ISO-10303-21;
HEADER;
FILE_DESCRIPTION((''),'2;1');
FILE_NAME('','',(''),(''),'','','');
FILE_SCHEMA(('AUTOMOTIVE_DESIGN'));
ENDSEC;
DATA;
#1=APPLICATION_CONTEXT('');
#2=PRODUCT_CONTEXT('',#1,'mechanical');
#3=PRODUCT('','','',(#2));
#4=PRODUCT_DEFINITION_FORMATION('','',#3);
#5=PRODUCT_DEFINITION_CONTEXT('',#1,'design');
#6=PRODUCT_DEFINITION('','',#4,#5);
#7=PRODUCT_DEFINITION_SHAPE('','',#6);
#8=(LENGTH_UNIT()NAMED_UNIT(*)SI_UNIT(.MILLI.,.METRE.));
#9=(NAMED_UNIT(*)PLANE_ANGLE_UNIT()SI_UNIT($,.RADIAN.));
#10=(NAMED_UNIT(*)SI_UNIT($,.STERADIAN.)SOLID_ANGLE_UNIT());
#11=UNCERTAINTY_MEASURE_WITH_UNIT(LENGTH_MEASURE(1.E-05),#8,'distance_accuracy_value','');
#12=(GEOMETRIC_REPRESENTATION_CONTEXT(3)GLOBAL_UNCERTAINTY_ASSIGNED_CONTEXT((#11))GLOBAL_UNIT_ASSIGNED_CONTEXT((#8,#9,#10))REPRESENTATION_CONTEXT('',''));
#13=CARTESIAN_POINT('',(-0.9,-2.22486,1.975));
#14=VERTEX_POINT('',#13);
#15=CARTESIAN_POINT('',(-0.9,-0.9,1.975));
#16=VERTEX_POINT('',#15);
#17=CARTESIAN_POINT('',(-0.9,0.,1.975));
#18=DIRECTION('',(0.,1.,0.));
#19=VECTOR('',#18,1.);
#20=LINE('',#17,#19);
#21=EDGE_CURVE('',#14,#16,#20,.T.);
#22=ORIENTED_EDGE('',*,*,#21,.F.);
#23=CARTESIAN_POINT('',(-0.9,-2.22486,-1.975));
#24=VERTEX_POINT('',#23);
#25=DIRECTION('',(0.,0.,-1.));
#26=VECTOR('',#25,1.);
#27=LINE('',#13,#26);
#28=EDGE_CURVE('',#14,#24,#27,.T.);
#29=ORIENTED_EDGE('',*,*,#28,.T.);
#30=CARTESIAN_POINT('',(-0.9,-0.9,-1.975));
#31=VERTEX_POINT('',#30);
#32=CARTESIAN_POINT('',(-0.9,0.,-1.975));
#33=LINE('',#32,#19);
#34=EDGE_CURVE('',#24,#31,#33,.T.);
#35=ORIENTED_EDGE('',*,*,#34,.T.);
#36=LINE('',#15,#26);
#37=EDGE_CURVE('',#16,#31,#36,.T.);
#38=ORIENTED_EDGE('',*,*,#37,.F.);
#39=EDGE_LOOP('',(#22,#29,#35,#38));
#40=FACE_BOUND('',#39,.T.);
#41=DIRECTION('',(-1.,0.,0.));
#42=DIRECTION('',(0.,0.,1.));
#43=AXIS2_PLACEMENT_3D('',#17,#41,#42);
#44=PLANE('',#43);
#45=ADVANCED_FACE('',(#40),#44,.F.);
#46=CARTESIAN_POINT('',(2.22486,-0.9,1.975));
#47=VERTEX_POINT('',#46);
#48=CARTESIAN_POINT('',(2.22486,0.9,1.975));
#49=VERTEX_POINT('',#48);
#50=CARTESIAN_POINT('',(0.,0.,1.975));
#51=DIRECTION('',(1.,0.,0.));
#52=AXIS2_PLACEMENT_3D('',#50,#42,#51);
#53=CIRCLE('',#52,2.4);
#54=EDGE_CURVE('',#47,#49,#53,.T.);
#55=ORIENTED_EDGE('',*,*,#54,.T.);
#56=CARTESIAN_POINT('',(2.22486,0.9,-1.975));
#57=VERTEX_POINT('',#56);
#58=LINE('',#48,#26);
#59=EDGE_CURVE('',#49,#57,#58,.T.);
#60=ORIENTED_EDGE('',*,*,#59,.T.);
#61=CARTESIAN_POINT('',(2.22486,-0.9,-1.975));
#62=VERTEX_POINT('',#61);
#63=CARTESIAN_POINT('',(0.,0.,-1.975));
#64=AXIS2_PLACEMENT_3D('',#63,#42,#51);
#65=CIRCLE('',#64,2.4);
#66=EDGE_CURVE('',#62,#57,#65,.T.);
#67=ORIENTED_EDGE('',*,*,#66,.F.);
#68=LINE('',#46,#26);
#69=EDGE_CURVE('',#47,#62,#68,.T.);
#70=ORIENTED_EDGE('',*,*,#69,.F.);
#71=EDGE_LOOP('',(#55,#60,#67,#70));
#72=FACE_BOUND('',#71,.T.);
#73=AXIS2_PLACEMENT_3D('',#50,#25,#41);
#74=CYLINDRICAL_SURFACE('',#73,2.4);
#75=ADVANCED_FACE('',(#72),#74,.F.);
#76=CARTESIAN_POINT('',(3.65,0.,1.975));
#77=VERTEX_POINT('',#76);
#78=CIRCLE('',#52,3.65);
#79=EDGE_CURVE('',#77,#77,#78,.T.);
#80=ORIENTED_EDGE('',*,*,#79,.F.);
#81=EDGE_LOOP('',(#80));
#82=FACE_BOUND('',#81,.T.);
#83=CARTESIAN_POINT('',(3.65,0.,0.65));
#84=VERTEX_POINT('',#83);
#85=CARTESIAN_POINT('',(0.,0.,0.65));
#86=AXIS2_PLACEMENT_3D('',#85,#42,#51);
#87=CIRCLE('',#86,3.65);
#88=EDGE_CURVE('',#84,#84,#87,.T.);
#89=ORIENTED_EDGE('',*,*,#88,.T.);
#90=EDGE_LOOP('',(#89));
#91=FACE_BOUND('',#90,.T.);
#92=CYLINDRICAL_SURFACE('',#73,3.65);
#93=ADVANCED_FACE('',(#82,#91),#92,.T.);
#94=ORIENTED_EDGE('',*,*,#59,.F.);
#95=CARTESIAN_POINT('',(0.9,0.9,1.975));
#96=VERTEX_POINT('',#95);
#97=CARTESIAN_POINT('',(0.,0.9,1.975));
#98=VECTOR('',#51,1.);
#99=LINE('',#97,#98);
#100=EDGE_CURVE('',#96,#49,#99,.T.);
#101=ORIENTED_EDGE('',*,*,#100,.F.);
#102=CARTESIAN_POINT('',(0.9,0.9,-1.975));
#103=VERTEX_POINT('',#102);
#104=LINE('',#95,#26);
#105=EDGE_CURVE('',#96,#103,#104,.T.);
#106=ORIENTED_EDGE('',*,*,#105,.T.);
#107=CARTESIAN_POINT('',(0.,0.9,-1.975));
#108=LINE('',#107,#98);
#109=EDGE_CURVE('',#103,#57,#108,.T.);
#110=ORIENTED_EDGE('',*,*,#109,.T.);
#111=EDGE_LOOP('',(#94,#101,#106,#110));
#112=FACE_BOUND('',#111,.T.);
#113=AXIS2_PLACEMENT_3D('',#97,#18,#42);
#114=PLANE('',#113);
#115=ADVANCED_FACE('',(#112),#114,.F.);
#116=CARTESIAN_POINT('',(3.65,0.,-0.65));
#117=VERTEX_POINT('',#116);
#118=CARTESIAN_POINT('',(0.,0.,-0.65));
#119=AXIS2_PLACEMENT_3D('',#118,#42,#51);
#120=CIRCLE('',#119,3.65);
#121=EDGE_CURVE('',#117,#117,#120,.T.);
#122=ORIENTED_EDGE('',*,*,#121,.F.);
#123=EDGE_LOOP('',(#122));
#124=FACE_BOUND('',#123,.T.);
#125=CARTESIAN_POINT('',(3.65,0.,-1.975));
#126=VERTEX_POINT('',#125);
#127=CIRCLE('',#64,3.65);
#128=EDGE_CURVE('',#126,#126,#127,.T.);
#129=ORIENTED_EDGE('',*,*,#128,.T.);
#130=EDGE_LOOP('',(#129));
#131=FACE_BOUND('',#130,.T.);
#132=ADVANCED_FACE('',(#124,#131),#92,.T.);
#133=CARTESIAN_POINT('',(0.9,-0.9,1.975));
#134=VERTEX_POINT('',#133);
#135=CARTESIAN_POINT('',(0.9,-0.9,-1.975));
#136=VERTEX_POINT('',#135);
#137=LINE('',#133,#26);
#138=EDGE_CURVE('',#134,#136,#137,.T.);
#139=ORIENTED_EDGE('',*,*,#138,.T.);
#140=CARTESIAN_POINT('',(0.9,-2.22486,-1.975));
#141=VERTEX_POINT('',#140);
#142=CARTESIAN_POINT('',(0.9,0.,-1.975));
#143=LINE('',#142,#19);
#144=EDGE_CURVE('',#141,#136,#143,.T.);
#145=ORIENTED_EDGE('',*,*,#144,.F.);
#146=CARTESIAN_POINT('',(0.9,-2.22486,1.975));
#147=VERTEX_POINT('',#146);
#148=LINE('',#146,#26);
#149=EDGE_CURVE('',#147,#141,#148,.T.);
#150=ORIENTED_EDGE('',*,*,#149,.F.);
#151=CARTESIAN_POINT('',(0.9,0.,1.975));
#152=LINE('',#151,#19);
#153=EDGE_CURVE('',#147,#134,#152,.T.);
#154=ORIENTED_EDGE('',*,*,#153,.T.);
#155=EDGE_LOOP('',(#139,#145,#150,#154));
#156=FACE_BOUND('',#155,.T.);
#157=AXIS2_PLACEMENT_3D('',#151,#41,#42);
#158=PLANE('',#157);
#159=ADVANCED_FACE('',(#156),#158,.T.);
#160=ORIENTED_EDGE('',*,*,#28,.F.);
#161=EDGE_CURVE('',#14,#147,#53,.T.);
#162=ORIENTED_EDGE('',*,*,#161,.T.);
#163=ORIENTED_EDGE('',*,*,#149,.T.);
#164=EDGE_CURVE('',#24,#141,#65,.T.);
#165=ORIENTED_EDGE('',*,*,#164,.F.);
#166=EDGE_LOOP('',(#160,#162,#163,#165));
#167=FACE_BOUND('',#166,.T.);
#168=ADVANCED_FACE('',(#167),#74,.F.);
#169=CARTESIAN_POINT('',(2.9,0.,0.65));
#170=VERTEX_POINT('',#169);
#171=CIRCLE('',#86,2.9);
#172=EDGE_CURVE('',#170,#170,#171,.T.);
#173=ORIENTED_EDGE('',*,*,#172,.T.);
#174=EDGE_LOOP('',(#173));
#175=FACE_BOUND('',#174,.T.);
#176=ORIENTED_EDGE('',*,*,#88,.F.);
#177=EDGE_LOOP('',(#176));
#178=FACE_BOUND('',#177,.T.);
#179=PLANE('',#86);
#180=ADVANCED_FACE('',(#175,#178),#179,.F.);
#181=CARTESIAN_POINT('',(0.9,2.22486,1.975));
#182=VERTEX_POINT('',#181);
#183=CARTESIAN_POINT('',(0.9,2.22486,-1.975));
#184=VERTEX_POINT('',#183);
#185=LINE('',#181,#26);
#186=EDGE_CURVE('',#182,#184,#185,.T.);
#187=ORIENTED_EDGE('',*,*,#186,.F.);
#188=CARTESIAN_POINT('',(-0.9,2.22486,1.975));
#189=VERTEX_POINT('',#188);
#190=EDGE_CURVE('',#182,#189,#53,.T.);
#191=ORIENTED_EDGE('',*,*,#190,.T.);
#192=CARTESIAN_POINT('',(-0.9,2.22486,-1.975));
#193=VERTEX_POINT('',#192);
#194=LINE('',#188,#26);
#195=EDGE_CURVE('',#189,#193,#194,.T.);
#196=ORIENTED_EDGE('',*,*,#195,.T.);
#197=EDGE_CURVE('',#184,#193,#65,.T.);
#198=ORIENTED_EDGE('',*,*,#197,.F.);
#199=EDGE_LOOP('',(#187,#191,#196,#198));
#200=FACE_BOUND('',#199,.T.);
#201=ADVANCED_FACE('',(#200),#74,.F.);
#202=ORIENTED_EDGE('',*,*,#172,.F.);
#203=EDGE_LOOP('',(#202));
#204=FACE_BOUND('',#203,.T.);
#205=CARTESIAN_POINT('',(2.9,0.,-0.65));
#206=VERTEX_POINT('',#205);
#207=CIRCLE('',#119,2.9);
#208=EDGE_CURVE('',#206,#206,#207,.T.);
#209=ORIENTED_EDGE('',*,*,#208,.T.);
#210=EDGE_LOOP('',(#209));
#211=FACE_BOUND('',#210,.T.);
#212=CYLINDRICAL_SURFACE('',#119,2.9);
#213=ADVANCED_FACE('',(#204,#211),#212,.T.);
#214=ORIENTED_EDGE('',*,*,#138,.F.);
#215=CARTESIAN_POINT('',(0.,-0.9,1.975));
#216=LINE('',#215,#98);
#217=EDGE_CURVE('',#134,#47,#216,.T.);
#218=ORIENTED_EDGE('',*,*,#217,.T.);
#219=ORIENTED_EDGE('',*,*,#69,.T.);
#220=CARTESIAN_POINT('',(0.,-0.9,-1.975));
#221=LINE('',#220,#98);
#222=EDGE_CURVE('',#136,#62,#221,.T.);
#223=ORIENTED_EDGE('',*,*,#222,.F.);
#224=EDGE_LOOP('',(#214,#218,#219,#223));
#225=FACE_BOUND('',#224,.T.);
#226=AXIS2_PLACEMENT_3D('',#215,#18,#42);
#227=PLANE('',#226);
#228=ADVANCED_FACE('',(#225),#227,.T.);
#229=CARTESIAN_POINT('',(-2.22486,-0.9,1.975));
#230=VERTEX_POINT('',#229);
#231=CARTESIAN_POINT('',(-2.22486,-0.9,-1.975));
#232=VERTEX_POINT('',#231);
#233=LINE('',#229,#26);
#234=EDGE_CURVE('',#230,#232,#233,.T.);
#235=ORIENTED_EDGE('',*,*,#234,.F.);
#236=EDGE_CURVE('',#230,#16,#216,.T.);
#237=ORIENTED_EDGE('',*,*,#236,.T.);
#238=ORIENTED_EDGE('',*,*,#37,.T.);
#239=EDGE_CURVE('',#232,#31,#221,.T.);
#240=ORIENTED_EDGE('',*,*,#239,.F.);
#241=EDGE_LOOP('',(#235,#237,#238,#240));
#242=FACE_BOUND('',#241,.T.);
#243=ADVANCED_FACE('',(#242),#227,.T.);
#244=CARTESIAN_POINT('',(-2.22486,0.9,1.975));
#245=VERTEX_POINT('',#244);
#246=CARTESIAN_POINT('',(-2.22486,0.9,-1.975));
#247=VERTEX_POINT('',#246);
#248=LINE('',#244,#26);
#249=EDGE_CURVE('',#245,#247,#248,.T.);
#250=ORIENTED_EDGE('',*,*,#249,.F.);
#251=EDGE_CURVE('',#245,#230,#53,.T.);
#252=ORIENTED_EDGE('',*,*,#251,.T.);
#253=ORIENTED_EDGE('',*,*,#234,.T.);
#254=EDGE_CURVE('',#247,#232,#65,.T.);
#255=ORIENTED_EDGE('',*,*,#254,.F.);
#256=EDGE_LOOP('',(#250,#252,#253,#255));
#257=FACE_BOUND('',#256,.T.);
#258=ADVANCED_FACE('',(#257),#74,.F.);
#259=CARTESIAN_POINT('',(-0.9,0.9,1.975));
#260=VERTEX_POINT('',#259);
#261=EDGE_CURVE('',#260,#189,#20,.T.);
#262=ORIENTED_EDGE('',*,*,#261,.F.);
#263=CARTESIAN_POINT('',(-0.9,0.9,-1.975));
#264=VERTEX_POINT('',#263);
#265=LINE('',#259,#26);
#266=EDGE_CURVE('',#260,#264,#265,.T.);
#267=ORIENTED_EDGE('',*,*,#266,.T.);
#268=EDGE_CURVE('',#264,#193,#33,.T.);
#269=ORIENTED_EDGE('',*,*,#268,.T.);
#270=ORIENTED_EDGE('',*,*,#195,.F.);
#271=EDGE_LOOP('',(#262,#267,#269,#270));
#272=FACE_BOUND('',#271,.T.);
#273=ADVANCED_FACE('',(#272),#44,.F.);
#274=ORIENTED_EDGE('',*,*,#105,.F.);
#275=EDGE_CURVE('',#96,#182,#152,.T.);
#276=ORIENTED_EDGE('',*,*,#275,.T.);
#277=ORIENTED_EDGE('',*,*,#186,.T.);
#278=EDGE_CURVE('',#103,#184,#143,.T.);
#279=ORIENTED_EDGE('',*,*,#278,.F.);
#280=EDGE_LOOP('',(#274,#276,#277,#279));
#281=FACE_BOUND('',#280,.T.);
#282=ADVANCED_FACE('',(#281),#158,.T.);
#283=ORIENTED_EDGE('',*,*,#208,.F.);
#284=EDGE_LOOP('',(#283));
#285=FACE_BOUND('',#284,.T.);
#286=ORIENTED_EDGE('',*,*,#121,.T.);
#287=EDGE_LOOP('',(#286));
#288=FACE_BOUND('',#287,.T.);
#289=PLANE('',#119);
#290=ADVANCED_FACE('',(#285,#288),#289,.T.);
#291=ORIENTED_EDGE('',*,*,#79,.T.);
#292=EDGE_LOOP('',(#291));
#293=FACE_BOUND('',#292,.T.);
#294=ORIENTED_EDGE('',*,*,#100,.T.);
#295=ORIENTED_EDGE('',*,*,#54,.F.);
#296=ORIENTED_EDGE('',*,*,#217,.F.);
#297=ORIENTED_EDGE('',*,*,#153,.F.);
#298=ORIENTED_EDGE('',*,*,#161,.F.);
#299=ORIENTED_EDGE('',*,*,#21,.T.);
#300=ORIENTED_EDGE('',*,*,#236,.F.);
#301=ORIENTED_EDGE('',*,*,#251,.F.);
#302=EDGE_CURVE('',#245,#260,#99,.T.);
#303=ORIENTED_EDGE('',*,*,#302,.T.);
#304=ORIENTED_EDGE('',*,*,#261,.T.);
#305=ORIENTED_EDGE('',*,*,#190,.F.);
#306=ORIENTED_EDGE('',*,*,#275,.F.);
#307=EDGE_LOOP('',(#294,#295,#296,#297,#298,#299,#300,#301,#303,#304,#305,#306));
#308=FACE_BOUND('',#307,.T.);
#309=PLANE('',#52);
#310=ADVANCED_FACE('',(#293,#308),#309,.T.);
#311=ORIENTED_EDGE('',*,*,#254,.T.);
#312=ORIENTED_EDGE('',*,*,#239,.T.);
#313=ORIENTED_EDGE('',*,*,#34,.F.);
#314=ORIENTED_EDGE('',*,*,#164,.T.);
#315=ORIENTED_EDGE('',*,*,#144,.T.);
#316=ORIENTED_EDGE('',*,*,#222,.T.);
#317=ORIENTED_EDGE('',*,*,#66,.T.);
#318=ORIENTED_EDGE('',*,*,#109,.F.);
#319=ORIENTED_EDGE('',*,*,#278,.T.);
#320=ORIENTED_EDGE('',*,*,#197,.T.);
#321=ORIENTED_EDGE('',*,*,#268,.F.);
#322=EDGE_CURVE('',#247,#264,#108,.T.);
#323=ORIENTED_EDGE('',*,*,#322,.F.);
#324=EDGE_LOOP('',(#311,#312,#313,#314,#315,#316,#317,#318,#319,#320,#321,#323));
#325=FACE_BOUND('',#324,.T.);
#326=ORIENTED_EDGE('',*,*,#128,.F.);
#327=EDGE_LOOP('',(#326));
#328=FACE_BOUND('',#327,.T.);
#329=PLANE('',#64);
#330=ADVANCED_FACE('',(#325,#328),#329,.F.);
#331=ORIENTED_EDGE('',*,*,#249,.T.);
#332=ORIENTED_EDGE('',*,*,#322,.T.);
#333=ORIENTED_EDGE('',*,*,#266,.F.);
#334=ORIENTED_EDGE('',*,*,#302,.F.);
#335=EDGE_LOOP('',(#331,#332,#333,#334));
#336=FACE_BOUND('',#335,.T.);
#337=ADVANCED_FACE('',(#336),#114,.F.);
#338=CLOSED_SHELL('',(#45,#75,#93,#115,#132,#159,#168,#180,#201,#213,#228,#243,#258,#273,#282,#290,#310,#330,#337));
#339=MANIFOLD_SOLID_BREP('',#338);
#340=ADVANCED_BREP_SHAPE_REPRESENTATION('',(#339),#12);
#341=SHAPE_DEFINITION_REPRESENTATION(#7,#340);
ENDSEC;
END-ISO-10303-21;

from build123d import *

# Parameters (mm, degrees)
SKETCH1_R           = 3.65
BOSS_EXTRUDE1_DEPTH = 1.975
SKETCH2_OUTSIDE_W   = 11.51
SKETCH2_OUTSIDE_H   = 11.51
SKETCH2_OUTSIDE_R   = 2.9
CUT_EXTRUDE1_DEPTH  = 0.65


with BuildPart() as part:
    # Sketch1 → Boss-Extrude1 (new, symmetric)
    with BuildSketch(Plane.XY):
        Circle(SKETCH1_R)
        with BuildLine():
            ThreePointArc((0.9, -2.224859546), (0, -2.4), (-0.9, -2.224859546))
            Line((-0.9, -2.224859546), (-0.9, -0.9))
            Line((-0.9, -0.9), (-2.224859546, -0.9))
            ThreePointArc((-2.224859546, -0.9), (-2.4, 0), (-2.224859546, 0.9))
            Line((-2.224859546, 0.9), (-0.9, 0.9))
            Line((-0.9, 0.9), (-0.9, 2.224859546))
            ThreePointArc((-0.9, 2.224859546), (0, 2.4), (0.9, 2.224859546))
            Line((0.9, 2.224859546), (0.9, 0.9))
            Line((0.9, 0.9), (2.224859546, 0.9))
            ThreePointArc((2.224859546, 0.9), (2.4, 0), (2.224859546, -0.9))
            Line((2.224859546, -0.9), (0.9, -0.9))
            Line((0.9, -0.9), (0.9, -2.224859546))
        make_face(mode=Mode.SUBTRACT)
    extrude(amount=BOSS_EXTRUDE1_DEPTH, both=True)

    # Sketch2 outside → Cut-Extrude1 (cut, symmetric)
    with BuildSketch(Plane.XY):
        Rectangle(SKETCH2_OUTSIDE_W, SKETCH2_OUTSIDE_H)
        Circle(SKETCH2_OUTSIDE_R, mode=Mode.SUBTRACT)
    extrude(amount=CUT_EXTRUDE1_DEPTH, both=True, mode=Mode.SUBTRACT)


solid = part.part
